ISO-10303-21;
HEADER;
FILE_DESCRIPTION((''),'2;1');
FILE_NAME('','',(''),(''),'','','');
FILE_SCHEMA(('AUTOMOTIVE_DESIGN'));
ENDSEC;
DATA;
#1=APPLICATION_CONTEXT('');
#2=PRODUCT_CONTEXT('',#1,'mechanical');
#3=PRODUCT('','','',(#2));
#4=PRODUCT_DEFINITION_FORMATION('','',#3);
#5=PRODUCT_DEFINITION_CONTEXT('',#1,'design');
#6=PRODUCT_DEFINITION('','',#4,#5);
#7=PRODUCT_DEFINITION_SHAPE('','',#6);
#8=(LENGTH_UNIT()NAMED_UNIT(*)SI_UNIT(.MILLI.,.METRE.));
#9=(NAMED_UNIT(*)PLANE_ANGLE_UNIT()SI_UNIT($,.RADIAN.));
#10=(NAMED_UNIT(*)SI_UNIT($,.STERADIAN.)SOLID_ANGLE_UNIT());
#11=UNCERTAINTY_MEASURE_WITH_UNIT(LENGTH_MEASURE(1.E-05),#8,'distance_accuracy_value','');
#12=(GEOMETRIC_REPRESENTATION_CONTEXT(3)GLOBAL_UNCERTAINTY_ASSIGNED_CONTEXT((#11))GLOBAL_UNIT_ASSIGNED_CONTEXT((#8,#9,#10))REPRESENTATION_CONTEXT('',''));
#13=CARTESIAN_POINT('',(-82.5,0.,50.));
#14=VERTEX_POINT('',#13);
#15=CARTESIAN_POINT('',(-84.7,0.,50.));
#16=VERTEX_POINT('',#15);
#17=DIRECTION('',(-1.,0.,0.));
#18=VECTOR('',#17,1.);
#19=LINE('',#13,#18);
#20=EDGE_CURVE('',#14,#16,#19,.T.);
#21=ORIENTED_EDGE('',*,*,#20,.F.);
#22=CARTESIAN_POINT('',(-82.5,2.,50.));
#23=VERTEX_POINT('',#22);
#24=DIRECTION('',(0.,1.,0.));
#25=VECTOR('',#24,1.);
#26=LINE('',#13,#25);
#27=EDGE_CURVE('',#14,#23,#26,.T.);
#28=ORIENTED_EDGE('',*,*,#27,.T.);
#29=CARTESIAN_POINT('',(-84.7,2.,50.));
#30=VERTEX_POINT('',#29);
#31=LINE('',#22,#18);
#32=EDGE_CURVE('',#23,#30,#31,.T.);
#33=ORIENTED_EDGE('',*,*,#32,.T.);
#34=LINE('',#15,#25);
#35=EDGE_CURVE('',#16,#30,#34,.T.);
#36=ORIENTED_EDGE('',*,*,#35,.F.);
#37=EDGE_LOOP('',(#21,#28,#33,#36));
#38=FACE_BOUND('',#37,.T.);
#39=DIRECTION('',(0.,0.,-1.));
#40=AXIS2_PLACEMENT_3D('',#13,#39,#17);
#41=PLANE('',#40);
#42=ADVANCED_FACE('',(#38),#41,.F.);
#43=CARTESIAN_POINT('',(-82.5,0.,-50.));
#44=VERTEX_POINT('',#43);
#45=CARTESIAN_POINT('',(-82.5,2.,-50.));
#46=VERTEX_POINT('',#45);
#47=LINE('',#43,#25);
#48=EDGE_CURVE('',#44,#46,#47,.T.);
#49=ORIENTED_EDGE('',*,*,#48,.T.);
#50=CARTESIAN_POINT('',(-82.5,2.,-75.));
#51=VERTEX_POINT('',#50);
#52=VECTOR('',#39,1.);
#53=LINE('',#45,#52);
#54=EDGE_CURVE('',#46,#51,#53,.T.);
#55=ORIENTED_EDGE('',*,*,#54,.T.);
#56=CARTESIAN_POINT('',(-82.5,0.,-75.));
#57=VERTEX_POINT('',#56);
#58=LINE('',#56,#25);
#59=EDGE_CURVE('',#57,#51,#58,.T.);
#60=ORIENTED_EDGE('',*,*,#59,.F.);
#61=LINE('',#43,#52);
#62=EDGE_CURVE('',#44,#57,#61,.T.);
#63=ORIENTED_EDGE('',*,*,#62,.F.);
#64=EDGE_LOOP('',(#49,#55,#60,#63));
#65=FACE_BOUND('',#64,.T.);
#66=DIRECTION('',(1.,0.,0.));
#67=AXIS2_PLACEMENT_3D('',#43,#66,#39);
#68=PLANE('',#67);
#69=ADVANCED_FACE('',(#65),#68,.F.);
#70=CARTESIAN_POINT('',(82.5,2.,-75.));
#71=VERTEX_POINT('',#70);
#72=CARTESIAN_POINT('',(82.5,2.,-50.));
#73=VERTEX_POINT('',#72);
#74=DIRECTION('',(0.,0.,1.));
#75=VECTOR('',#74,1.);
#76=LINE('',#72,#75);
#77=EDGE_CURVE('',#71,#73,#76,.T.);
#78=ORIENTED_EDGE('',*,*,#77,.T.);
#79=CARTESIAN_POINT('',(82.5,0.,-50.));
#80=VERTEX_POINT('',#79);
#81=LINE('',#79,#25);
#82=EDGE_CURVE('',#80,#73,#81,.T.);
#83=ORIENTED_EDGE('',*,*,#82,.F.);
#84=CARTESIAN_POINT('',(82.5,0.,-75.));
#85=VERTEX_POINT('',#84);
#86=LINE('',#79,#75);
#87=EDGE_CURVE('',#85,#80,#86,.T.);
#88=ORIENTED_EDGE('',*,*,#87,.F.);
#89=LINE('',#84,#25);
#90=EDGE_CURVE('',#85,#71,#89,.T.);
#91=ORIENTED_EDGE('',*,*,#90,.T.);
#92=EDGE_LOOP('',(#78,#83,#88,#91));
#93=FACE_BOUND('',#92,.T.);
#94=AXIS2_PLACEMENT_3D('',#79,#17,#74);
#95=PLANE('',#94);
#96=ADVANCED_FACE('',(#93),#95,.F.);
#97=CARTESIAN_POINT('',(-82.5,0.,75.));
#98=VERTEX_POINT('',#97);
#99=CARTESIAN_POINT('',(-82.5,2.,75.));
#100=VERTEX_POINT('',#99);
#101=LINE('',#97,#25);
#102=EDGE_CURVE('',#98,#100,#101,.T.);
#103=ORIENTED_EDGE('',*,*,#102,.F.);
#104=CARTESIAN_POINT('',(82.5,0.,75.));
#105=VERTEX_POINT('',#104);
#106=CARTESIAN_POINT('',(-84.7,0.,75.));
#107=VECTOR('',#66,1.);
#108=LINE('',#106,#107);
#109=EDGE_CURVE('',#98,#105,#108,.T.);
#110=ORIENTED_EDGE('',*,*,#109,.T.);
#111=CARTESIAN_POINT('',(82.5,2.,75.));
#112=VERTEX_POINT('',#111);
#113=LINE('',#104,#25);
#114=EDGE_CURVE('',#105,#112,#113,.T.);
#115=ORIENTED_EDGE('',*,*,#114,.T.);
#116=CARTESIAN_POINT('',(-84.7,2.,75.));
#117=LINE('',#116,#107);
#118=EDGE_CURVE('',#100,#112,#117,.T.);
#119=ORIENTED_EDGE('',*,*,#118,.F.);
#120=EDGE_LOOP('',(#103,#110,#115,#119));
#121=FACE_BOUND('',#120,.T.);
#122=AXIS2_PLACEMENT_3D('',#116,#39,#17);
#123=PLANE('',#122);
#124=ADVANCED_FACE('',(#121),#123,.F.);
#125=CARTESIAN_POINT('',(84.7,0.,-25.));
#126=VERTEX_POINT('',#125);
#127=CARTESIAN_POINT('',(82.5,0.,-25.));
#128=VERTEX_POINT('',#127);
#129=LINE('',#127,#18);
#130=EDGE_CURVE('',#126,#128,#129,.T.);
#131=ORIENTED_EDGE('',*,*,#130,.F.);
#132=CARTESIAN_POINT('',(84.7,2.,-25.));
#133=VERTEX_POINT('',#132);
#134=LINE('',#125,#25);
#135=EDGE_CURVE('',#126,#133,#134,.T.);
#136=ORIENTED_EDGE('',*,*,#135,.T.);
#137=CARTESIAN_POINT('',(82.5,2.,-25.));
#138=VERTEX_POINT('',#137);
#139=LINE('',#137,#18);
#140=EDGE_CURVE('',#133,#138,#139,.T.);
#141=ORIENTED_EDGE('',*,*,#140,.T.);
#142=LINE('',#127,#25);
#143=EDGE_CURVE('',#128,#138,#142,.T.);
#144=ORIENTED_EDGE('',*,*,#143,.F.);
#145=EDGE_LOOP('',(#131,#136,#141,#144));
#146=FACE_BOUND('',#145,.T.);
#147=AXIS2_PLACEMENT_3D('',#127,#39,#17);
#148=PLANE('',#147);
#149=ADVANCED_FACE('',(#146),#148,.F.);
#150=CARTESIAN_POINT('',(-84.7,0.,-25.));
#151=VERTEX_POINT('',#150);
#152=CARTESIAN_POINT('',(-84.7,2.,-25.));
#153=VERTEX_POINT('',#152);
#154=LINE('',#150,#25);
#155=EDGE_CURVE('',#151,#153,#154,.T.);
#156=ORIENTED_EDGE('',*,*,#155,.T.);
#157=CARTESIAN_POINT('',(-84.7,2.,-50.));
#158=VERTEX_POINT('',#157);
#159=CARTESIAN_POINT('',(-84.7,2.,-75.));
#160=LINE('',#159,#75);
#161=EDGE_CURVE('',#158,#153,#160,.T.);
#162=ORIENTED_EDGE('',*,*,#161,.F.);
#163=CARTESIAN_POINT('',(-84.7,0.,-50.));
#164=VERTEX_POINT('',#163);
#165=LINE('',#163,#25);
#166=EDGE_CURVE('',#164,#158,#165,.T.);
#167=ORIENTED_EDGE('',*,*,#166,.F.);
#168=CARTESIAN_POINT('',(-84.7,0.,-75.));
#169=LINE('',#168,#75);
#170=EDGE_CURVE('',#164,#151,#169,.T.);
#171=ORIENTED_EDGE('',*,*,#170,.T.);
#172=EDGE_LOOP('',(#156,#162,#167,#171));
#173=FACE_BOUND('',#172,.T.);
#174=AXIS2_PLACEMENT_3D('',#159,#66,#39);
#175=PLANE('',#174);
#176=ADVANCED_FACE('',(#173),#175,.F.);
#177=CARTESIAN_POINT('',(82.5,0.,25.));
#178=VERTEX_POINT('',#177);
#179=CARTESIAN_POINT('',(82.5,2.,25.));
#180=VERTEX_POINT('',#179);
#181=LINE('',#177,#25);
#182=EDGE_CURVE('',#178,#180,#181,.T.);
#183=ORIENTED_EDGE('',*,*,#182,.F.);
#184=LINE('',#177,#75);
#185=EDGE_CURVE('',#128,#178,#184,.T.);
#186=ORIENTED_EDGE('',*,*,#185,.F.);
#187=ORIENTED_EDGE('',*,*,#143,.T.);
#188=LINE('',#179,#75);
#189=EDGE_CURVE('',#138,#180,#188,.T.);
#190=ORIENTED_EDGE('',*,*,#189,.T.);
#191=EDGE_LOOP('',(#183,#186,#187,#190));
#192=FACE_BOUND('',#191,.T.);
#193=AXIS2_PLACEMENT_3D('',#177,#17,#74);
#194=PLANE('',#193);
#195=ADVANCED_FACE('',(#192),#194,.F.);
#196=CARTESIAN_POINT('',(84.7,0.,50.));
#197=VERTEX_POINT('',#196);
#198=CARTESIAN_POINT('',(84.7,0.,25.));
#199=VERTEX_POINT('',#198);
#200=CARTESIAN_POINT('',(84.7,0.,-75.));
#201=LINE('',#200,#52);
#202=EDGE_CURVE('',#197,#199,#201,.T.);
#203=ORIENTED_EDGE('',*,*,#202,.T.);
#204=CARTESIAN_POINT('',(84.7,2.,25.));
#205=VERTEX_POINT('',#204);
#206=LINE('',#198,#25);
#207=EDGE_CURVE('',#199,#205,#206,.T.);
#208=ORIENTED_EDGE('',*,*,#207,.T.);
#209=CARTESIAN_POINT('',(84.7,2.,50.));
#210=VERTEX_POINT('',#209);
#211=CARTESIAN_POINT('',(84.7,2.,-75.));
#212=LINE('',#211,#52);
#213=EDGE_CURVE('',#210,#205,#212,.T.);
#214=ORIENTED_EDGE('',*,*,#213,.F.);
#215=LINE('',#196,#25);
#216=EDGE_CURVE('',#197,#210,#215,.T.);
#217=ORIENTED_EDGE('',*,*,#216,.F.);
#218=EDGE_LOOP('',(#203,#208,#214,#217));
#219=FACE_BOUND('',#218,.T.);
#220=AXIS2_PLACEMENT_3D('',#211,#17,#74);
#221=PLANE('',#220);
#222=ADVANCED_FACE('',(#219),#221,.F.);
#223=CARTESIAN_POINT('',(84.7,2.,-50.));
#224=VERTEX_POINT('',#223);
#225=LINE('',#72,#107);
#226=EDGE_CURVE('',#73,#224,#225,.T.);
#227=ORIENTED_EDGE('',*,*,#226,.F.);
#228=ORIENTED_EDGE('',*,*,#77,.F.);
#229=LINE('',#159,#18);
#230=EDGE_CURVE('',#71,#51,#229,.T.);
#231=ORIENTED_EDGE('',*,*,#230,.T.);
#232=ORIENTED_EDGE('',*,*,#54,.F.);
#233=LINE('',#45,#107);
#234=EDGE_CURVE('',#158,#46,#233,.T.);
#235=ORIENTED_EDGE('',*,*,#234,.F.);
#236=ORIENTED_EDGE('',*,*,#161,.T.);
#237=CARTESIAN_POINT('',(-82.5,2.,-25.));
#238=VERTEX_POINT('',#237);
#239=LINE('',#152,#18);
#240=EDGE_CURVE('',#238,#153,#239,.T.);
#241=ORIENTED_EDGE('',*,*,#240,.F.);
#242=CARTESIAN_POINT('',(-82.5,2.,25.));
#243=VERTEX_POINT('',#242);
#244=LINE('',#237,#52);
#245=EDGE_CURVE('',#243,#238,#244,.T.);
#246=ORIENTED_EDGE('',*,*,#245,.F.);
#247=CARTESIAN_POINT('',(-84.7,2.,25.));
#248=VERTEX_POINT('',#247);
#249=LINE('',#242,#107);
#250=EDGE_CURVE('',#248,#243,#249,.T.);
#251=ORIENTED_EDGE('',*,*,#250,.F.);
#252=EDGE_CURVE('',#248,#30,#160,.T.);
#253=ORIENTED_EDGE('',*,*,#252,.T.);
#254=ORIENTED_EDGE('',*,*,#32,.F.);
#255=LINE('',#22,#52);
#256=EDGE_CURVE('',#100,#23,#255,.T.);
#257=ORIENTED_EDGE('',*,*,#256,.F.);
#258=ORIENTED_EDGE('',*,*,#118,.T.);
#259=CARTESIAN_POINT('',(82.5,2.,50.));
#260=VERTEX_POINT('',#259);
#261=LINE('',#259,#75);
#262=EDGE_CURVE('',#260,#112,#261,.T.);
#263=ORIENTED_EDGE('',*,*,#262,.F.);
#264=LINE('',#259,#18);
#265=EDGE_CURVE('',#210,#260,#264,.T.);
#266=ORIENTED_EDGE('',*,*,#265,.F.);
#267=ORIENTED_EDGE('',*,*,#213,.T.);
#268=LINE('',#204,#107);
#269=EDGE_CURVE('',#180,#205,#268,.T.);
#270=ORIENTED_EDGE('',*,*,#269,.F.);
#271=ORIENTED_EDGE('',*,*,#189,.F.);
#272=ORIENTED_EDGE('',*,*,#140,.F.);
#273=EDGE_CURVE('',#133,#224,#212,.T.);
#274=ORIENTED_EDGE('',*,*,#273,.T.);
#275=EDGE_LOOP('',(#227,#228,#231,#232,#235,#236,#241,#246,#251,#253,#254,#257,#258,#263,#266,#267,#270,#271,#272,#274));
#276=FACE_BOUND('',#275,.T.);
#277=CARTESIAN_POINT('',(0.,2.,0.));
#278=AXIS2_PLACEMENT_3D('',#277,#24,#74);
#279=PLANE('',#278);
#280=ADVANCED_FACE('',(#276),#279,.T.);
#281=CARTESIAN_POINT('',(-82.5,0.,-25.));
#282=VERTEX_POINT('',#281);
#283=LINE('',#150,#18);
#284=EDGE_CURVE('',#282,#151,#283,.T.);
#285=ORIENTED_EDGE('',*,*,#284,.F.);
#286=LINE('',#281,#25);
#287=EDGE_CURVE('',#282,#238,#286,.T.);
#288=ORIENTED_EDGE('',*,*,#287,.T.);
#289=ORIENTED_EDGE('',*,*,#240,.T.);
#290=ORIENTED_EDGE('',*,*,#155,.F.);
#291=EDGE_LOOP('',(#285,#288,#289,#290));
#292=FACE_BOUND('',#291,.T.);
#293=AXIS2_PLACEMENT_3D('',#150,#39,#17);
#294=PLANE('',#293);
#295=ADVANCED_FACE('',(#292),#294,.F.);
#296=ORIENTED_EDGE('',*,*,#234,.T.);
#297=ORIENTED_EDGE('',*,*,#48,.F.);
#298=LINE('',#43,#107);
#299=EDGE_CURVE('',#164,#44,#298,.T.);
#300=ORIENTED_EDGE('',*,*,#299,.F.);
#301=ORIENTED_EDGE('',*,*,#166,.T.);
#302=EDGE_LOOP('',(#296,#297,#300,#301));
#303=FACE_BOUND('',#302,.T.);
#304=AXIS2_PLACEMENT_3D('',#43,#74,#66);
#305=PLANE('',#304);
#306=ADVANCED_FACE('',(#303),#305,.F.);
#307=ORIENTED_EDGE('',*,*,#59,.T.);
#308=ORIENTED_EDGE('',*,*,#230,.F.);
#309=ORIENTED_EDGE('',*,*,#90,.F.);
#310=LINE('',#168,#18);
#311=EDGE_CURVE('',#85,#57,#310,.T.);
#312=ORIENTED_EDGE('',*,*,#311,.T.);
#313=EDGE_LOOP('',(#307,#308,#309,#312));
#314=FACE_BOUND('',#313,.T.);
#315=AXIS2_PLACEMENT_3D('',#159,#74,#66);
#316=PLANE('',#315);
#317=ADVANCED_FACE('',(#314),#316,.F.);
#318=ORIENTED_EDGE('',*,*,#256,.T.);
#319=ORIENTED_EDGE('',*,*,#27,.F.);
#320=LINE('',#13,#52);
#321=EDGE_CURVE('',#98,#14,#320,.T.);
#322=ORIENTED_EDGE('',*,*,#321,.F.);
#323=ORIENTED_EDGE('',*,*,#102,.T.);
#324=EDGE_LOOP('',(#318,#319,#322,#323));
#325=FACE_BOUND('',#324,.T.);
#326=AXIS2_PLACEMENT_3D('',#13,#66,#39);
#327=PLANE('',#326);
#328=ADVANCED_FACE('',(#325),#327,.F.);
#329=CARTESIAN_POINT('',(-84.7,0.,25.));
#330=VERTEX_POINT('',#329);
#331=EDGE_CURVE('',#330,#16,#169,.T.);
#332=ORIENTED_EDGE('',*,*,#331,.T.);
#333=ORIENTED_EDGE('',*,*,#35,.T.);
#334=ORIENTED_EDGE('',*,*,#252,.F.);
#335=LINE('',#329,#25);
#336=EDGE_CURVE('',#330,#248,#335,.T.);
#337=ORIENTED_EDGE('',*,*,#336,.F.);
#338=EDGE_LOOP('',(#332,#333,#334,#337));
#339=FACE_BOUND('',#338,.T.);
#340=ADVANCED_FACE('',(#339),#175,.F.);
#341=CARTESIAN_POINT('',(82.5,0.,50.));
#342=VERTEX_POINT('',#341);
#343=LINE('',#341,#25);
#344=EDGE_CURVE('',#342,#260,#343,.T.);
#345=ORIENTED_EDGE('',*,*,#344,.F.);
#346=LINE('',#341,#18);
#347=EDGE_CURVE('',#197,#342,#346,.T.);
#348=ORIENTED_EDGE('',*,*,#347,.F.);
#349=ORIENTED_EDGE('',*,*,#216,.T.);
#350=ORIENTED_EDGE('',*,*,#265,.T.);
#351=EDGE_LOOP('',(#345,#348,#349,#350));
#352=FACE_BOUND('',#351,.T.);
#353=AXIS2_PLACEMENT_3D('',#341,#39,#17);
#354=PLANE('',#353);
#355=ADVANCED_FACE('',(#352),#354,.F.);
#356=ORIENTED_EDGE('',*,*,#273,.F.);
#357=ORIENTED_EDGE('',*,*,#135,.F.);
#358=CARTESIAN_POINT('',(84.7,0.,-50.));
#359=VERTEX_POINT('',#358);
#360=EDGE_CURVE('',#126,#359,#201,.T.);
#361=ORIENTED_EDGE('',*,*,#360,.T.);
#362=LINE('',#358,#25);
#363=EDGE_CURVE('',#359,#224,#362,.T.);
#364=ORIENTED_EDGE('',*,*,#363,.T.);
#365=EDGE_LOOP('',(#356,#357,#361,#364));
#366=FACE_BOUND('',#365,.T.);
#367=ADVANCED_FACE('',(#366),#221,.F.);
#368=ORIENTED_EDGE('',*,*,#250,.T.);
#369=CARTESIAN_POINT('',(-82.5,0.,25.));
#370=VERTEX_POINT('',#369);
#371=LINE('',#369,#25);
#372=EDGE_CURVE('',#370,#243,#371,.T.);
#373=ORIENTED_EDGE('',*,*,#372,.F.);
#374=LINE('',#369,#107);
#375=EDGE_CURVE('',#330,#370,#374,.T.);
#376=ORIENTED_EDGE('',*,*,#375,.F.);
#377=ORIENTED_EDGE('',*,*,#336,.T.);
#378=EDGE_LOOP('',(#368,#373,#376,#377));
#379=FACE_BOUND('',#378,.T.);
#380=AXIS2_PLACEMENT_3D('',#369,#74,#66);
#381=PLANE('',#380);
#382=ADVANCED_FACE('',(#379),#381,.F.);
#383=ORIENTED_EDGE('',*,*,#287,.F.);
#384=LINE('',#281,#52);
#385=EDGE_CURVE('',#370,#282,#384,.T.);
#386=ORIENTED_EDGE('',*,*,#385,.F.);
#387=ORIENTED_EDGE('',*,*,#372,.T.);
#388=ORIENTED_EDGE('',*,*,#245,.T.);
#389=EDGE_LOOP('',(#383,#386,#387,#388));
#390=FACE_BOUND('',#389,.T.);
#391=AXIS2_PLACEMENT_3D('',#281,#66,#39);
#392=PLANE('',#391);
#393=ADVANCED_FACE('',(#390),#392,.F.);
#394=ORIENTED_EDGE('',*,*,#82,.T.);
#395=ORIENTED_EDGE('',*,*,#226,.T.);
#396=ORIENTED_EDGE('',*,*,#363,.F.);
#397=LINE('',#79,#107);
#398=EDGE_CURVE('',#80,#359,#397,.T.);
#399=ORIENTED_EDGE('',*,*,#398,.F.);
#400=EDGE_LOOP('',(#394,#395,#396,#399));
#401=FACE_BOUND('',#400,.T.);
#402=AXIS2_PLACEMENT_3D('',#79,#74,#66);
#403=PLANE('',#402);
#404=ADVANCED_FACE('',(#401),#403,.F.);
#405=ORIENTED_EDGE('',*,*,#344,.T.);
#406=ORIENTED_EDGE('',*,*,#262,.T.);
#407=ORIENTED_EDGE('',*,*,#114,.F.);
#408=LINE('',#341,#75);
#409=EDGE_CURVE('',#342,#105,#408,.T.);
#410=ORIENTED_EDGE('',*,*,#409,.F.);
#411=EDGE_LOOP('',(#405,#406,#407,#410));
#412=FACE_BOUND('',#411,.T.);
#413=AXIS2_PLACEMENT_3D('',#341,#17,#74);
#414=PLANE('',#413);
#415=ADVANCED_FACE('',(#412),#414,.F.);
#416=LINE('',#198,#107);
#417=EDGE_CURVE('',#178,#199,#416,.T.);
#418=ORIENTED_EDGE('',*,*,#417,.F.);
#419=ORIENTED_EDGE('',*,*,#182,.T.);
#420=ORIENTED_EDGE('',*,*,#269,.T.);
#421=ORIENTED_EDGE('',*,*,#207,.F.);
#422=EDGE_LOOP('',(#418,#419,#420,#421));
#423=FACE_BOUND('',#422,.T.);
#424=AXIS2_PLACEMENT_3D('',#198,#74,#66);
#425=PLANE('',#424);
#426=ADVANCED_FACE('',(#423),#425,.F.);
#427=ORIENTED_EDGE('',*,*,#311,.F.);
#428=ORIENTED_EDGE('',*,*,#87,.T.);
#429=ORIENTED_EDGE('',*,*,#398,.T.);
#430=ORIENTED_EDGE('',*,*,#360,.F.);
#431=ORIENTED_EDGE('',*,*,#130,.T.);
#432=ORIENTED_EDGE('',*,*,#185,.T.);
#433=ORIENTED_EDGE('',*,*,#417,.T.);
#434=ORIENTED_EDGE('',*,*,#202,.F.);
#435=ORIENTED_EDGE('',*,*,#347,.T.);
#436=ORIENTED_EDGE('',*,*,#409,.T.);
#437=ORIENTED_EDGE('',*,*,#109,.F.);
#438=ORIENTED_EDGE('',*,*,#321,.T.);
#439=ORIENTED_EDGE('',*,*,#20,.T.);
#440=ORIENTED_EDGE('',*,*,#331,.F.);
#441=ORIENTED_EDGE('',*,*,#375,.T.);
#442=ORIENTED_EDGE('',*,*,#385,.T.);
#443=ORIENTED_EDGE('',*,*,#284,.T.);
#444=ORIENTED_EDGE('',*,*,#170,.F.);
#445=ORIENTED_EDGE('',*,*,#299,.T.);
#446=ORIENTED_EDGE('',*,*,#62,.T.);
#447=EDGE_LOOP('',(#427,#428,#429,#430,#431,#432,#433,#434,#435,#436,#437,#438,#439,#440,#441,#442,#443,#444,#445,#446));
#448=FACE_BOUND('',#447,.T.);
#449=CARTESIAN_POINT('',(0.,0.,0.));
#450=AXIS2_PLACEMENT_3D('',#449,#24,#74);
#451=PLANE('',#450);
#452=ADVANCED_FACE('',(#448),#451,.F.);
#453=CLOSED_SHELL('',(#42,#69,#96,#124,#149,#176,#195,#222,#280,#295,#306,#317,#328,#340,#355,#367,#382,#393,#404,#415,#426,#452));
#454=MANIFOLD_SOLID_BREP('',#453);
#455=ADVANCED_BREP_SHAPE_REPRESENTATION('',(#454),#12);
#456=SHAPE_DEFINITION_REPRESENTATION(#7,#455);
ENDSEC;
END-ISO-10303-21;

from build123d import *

# Parameters (mm, degrees)
SKETCH1_W           = 169.4
SKETCH1_H           = 150
BOSS_EXTRUDE1_DEPTH = 2
CUT_EXTRUDE1_DEPTH  = 2


with BuildPart() as part:
    # Sketch1 → Boss-Extrude1 (new body)
    with BuildSketch(Plane(origin=(0, 0, 0), x_dir=(1, 0, 0), z_dir=(0, 1, 0))):
        Rectangle(SKETCH1_W, SKETCH1_H)
    extrude(amount=BOSS_EXTRUDE1_DEPTH)

    # Sketch2 → Cut-Extrude1 (cut)
    with BuildSketch(Plane(origin=(0, 2, 0), x_dir=(1, 0, 0), z_dir=(0, 1, 0))):
        Polygon((82.5, -50), (82.5, -75), (87.923107592, -75), (87.923107592, 75), (82.5, 75), (82.5, 50), (84.7, 50), (84.7, 25), (82.5, 25), (82.5, -25), (84.7, -25), (84.7, -50), align=None)
        Polygon((-82.5, 50), (-82.5, 75), (-87.923107592, 75), (-87.923107592, -75), (-82.5, -75), (-82.5, -50), (-84.7, -50), (-84.7, -25), (-82.5, -25), (-82.5, 25), (-84.7, 25), (-84.7, 50), align=None)
    extrude(amount=-CUT_EXTRUDE1_DEPTH, mode=Mode.SUBTRACT)


solid = part.part
